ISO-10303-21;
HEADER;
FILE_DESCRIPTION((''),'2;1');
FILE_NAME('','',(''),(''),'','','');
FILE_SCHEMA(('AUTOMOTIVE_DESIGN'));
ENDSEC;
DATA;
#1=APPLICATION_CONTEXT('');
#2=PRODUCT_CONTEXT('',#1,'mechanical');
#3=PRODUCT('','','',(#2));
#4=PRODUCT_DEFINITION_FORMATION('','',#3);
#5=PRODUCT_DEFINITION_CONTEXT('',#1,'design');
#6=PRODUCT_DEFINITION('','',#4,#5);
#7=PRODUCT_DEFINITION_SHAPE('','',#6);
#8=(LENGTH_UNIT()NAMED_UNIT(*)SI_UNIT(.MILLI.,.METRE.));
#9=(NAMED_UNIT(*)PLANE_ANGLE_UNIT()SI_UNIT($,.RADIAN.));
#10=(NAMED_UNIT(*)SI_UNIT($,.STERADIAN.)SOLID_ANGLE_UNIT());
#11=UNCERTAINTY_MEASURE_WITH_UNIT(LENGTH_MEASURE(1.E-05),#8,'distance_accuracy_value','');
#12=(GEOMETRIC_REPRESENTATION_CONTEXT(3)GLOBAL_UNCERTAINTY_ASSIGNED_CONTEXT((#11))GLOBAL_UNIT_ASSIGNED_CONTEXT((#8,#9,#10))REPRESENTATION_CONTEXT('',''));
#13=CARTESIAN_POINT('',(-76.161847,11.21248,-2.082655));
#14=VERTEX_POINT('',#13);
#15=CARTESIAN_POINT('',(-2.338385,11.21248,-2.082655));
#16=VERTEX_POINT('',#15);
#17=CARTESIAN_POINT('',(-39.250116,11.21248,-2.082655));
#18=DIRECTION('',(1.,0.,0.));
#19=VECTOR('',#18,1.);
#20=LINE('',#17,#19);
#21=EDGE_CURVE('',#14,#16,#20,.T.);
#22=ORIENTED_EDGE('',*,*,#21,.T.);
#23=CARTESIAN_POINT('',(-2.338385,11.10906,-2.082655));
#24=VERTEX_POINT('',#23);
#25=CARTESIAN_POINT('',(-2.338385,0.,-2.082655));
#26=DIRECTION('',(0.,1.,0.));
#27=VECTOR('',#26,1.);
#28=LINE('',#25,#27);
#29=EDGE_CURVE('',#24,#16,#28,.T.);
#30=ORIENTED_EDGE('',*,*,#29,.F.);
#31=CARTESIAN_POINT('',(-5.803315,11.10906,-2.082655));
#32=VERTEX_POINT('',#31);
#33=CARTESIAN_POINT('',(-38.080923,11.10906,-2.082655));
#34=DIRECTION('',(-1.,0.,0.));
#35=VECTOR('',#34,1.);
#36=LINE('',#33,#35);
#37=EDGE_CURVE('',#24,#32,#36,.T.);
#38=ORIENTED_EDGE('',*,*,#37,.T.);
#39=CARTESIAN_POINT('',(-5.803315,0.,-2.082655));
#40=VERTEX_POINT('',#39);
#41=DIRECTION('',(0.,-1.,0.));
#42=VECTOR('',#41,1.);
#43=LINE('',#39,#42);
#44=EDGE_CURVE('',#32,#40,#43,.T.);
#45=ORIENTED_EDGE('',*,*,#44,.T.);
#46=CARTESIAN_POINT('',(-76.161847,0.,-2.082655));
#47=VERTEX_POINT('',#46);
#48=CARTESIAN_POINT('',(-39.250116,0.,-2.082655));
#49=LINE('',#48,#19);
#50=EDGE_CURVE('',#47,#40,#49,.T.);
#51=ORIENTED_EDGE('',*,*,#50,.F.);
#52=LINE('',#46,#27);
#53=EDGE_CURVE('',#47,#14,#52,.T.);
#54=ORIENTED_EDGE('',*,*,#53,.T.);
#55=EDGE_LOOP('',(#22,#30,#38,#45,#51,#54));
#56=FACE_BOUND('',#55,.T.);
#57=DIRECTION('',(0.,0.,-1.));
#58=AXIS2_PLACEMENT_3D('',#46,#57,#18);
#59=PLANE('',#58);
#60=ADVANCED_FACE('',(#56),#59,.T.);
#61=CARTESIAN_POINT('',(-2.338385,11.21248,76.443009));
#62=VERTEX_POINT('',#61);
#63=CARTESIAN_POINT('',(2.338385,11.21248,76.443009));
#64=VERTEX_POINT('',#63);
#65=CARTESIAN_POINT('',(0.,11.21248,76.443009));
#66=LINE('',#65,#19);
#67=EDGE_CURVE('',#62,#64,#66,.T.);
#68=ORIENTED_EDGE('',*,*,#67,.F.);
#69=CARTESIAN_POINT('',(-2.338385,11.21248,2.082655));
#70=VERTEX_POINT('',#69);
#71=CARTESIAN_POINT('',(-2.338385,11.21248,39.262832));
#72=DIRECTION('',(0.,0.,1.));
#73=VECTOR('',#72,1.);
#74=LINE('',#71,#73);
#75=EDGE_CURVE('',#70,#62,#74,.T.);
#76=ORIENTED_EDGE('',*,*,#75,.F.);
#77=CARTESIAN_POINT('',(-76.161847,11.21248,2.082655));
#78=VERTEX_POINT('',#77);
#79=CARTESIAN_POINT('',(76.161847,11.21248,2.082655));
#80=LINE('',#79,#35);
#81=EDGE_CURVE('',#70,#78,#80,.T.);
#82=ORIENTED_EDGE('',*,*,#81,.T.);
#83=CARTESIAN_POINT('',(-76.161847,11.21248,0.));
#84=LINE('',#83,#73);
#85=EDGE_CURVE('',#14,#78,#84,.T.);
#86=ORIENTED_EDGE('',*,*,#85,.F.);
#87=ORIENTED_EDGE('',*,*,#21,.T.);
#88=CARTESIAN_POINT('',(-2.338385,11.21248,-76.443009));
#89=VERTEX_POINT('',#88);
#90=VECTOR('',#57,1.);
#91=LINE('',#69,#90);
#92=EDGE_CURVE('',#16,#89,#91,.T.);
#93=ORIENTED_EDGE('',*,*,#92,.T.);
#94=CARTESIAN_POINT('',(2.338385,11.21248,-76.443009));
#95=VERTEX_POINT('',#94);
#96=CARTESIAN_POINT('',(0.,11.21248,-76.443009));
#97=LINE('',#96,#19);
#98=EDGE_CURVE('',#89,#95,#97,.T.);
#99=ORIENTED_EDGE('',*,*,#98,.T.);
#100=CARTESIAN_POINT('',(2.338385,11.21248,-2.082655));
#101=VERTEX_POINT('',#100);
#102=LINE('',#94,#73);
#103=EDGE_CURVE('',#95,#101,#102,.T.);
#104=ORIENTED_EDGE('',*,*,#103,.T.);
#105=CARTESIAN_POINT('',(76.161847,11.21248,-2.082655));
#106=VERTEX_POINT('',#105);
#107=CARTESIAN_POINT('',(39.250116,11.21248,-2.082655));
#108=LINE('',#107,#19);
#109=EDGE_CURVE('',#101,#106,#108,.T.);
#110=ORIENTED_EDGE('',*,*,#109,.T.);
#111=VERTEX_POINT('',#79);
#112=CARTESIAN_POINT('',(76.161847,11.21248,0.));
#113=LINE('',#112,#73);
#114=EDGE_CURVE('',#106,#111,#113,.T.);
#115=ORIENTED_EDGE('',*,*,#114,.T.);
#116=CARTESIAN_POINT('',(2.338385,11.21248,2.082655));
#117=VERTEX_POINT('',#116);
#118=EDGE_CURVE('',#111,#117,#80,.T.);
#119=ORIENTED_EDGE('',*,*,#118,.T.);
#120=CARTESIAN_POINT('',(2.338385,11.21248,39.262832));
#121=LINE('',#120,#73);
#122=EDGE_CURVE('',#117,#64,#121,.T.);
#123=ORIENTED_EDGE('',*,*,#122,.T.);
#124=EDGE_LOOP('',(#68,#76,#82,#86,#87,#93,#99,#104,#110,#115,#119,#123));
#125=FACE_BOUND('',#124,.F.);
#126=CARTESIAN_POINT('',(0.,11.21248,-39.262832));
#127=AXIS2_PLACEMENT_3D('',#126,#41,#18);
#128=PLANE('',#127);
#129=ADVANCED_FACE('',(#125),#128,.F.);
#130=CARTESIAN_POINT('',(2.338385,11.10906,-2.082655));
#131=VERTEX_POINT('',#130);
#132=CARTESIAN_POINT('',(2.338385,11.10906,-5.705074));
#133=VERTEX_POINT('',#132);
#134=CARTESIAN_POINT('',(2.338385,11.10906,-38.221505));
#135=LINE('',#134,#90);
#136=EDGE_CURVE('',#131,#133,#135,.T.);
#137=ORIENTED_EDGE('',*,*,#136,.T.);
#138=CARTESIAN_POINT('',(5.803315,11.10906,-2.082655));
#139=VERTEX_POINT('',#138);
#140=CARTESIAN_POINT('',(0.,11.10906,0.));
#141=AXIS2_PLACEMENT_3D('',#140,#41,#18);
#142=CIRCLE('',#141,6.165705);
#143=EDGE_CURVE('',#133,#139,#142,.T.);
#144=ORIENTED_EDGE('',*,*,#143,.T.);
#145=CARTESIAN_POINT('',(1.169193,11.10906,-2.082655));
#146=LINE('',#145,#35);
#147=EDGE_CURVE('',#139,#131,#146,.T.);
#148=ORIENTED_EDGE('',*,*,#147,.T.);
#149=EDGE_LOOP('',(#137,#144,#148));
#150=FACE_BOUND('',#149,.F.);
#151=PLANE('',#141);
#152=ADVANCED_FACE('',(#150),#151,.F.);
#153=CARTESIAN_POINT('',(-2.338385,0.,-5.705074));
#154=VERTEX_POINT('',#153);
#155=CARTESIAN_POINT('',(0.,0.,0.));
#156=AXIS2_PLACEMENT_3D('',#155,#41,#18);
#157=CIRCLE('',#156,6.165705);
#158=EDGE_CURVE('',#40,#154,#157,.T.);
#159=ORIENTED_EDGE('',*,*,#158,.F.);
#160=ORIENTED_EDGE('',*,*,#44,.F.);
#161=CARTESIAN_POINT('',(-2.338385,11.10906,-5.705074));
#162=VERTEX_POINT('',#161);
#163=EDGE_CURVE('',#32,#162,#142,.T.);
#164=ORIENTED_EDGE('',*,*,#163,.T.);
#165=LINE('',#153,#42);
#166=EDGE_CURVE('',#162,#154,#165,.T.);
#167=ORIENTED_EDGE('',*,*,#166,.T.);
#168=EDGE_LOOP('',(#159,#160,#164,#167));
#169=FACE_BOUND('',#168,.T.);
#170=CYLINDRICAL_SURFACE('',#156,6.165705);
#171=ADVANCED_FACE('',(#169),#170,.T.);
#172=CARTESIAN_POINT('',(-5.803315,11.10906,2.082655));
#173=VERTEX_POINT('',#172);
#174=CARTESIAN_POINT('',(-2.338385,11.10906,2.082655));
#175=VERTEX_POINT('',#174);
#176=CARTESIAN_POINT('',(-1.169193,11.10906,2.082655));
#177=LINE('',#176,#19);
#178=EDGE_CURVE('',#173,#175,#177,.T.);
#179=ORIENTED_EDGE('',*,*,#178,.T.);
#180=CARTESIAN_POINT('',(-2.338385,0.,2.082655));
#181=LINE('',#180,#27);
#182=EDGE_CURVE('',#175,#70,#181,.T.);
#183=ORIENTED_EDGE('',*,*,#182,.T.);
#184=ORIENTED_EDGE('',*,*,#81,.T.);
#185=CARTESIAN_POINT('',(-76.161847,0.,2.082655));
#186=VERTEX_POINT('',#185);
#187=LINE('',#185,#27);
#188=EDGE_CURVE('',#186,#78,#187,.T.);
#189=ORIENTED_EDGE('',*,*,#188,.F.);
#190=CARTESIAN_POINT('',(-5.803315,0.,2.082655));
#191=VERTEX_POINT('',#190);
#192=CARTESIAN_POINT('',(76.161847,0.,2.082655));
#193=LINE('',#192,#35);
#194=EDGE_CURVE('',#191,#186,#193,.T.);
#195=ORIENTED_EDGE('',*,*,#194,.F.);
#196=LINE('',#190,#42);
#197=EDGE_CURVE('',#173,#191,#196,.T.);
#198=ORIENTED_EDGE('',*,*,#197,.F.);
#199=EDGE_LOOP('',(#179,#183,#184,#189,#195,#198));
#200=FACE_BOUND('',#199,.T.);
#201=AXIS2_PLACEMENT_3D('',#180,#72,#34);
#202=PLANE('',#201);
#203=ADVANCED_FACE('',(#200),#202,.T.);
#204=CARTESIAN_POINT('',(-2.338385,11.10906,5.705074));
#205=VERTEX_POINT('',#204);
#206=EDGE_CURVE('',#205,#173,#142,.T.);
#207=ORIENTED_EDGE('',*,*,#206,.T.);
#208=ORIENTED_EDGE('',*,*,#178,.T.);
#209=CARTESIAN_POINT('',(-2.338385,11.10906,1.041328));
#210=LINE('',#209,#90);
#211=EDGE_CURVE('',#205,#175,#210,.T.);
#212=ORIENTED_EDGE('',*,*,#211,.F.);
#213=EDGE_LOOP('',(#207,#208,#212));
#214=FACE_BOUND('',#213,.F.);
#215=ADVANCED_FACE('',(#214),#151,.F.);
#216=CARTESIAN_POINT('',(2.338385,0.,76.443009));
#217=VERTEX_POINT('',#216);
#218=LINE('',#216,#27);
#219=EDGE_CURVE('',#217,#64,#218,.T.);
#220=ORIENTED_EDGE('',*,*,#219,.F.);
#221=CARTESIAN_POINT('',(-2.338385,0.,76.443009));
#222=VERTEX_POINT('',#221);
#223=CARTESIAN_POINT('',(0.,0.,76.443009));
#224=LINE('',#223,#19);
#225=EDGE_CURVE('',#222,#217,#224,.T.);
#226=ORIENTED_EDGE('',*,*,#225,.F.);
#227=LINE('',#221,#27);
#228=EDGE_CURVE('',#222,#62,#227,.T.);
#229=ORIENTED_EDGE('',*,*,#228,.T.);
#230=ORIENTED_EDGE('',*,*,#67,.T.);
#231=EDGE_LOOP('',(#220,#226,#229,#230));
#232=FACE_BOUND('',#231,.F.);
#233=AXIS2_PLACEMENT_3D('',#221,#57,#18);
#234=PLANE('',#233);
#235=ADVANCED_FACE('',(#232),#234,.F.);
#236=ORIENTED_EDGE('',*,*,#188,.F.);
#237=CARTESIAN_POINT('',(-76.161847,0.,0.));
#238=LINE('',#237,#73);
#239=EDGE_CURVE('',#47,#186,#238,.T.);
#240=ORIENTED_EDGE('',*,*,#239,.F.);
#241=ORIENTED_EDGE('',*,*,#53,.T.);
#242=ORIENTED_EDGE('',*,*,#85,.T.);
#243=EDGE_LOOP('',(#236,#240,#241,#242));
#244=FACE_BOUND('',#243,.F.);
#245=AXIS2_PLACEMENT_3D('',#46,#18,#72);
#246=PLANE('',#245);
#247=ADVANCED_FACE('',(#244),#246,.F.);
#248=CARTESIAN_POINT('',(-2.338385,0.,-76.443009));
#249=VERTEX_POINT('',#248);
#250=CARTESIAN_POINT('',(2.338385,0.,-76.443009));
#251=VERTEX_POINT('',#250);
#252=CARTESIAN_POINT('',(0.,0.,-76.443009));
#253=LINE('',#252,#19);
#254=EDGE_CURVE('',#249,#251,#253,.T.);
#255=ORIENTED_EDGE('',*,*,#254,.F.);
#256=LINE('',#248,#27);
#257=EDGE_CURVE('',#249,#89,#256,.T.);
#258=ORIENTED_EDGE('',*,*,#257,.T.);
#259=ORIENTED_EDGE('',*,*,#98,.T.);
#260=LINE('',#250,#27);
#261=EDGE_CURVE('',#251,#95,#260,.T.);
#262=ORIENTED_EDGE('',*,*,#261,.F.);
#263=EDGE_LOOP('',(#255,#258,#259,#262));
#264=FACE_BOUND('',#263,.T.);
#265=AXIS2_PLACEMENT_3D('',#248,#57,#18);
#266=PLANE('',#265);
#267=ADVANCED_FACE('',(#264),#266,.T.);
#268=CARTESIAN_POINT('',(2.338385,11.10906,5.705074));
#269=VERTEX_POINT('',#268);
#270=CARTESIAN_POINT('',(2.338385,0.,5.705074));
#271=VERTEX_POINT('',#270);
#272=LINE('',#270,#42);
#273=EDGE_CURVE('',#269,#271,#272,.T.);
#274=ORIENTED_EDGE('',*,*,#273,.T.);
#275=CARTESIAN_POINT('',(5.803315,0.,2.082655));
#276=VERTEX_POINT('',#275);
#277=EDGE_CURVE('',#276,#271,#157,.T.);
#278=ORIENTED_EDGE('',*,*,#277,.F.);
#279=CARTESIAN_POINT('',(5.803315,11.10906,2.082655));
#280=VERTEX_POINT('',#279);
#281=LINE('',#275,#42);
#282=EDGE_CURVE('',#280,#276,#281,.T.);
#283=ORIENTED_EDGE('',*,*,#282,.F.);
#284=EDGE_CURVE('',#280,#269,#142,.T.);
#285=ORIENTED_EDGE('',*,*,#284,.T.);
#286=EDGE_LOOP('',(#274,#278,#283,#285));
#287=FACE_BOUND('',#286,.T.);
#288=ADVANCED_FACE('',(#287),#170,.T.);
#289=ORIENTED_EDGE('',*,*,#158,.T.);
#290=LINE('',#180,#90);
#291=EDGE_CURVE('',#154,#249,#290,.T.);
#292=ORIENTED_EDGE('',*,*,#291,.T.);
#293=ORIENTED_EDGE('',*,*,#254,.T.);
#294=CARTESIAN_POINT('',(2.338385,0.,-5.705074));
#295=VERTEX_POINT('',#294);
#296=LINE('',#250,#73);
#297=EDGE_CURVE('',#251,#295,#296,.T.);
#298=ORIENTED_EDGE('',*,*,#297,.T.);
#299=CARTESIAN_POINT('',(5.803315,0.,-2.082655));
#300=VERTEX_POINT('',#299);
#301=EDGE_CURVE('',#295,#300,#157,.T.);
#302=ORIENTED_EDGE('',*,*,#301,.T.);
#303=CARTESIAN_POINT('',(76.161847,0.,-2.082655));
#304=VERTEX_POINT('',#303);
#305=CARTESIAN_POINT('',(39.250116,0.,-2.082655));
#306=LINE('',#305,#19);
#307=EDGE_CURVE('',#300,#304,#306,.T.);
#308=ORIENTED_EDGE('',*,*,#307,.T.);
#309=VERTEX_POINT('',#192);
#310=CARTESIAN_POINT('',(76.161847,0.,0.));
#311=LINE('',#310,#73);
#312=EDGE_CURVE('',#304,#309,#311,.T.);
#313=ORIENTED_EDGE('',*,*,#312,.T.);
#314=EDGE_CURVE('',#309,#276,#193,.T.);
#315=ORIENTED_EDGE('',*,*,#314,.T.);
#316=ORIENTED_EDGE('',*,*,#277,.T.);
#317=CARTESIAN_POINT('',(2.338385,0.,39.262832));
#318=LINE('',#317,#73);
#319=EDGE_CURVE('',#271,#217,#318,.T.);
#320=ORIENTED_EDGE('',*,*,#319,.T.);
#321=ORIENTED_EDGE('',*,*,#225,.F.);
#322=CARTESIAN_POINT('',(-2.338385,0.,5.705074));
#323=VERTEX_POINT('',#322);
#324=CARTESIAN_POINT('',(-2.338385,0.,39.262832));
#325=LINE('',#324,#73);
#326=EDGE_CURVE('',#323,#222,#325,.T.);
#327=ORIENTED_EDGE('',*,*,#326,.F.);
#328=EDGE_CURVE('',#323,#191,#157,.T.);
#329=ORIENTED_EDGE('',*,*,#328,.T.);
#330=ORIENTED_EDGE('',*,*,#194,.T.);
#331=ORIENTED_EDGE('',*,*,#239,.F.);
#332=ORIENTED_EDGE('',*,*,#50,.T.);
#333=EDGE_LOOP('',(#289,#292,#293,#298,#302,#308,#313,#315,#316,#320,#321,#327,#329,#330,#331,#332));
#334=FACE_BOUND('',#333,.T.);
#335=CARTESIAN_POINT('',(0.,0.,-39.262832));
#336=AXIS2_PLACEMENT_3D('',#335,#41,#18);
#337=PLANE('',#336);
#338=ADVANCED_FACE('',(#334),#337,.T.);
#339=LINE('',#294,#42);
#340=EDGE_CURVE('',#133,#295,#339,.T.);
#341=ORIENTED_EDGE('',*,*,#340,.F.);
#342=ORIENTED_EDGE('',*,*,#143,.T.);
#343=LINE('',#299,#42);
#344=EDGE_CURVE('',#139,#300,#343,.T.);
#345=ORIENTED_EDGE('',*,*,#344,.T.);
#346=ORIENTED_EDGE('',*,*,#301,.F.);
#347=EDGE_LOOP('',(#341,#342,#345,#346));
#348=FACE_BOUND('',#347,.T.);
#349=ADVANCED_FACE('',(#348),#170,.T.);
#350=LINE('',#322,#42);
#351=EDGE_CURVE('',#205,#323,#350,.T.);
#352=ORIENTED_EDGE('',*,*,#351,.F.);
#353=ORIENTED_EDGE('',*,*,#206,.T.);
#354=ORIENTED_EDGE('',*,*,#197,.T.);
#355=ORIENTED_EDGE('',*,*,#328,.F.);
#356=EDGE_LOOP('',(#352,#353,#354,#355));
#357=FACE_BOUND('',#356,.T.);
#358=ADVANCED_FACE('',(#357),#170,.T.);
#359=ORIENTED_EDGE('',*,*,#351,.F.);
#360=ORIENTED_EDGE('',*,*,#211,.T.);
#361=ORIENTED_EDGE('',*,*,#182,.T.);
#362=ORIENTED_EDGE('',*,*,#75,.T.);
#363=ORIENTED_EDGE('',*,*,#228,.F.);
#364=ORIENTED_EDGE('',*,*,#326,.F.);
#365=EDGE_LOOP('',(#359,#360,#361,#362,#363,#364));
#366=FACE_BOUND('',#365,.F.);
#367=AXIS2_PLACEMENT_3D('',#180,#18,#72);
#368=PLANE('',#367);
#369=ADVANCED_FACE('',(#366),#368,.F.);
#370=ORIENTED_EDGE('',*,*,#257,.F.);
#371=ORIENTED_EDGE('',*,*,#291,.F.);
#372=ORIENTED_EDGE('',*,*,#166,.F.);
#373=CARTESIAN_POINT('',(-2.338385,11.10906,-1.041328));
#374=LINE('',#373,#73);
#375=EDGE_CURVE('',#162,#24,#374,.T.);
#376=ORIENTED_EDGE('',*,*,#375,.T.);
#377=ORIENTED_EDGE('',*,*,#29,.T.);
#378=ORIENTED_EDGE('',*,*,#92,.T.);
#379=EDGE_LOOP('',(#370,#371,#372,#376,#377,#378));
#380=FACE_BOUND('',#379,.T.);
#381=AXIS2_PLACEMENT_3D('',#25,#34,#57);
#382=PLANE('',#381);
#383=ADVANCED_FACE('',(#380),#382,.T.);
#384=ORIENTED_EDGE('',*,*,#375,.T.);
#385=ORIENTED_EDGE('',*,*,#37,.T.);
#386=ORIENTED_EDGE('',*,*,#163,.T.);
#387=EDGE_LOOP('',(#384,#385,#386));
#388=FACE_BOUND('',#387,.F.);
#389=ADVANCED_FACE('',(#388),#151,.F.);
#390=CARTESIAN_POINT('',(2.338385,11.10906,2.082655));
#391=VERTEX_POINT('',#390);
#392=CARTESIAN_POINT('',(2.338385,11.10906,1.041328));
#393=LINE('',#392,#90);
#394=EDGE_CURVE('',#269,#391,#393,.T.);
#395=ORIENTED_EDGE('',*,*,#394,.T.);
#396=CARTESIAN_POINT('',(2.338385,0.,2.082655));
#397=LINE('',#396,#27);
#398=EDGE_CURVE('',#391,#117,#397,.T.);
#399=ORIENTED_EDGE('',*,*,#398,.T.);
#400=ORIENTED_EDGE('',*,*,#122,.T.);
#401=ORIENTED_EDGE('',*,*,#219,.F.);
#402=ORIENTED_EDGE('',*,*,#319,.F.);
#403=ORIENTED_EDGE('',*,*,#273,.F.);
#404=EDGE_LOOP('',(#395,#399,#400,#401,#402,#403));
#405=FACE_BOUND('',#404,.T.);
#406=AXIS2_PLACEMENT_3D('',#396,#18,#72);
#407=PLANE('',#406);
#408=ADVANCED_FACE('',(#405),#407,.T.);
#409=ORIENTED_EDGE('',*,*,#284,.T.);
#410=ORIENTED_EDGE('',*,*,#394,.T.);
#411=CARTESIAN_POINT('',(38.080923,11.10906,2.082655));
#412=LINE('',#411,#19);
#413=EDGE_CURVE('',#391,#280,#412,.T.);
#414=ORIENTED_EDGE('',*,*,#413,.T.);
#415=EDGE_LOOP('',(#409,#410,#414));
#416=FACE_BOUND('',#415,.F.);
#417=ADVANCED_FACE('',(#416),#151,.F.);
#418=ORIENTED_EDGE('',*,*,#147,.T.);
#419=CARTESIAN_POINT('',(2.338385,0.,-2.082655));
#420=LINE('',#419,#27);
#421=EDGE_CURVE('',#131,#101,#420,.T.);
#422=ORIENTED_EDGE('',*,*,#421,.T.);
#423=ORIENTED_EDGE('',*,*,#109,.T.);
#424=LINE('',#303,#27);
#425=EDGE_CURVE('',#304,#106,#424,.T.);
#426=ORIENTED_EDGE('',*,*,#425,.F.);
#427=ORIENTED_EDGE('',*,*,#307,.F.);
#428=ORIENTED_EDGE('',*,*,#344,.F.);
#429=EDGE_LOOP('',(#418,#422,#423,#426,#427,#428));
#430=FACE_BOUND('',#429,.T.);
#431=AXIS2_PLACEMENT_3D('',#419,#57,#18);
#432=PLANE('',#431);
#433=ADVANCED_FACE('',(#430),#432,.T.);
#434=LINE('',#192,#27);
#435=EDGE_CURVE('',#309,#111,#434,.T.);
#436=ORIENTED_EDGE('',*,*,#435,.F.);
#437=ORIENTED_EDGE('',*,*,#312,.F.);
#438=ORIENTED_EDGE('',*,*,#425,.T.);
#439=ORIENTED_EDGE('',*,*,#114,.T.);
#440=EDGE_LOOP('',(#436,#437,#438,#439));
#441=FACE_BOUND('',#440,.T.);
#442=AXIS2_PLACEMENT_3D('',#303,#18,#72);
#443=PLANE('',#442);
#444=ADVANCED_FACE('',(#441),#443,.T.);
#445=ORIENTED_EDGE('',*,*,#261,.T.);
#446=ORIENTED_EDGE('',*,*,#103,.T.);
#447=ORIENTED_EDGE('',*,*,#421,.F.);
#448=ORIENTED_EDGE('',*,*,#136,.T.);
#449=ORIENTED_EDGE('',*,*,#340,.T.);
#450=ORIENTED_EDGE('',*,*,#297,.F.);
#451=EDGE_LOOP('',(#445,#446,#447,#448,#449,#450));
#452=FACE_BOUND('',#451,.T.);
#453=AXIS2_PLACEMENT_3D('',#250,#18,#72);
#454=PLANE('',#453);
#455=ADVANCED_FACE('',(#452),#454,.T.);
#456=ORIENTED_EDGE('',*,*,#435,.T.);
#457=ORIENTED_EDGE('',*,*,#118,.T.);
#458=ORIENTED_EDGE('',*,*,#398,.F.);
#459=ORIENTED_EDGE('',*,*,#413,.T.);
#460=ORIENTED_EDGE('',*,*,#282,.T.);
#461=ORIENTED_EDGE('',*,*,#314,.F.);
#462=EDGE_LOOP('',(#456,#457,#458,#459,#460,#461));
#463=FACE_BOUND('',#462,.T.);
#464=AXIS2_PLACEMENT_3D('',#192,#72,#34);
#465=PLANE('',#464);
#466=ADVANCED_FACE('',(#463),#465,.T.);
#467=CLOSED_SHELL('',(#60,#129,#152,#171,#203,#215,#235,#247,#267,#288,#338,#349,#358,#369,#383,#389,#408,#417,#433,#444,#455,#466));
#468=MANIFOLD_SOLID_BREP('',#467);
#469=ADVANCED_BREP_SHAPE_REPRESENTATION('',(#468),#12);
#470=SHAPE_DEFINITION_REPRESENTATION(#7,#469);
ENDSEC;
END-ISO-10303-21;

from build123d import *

# Parameters (mm, degrees)
F0_W     = 4.6767704189
F0_H     = 74.3603538722
F0_H_2   = 4.1653104126
F0_W_2   = 73.8234613091
F1_DEPTH = 11.212479988
F2_R     = 6.1657045429
F3_DEPTH = 11.10906


with BuildPart() as f1:
    # F0 (on Front) → F1 (new body)
    with BuildSketch(Plane.XZ):
        with Locations((0, -39.2628321424)):
            Rectangle(F0_W, F0_H)
        Rectangle(F0_W, F0_H_2)
        with Locations((39.250115864, 0)):
            Rectangle(F0_W_2, F0_H_2)
        with Locations((-39.250115864, 0)):
            Rectangle(F0_W_2, F0_H_2)
        with Locations((0, 39.2628321424)):
            Rectangle(F0_W, F0_H)
    extrude(amount=-F1_DEPTH)

    # F2 (on Front) → F3 (join)
    with BuildSketch(Plane.XZ):
        Circle(F2_R)
    extrude(amount=-F3_DEPTH)


solid = f1.part
